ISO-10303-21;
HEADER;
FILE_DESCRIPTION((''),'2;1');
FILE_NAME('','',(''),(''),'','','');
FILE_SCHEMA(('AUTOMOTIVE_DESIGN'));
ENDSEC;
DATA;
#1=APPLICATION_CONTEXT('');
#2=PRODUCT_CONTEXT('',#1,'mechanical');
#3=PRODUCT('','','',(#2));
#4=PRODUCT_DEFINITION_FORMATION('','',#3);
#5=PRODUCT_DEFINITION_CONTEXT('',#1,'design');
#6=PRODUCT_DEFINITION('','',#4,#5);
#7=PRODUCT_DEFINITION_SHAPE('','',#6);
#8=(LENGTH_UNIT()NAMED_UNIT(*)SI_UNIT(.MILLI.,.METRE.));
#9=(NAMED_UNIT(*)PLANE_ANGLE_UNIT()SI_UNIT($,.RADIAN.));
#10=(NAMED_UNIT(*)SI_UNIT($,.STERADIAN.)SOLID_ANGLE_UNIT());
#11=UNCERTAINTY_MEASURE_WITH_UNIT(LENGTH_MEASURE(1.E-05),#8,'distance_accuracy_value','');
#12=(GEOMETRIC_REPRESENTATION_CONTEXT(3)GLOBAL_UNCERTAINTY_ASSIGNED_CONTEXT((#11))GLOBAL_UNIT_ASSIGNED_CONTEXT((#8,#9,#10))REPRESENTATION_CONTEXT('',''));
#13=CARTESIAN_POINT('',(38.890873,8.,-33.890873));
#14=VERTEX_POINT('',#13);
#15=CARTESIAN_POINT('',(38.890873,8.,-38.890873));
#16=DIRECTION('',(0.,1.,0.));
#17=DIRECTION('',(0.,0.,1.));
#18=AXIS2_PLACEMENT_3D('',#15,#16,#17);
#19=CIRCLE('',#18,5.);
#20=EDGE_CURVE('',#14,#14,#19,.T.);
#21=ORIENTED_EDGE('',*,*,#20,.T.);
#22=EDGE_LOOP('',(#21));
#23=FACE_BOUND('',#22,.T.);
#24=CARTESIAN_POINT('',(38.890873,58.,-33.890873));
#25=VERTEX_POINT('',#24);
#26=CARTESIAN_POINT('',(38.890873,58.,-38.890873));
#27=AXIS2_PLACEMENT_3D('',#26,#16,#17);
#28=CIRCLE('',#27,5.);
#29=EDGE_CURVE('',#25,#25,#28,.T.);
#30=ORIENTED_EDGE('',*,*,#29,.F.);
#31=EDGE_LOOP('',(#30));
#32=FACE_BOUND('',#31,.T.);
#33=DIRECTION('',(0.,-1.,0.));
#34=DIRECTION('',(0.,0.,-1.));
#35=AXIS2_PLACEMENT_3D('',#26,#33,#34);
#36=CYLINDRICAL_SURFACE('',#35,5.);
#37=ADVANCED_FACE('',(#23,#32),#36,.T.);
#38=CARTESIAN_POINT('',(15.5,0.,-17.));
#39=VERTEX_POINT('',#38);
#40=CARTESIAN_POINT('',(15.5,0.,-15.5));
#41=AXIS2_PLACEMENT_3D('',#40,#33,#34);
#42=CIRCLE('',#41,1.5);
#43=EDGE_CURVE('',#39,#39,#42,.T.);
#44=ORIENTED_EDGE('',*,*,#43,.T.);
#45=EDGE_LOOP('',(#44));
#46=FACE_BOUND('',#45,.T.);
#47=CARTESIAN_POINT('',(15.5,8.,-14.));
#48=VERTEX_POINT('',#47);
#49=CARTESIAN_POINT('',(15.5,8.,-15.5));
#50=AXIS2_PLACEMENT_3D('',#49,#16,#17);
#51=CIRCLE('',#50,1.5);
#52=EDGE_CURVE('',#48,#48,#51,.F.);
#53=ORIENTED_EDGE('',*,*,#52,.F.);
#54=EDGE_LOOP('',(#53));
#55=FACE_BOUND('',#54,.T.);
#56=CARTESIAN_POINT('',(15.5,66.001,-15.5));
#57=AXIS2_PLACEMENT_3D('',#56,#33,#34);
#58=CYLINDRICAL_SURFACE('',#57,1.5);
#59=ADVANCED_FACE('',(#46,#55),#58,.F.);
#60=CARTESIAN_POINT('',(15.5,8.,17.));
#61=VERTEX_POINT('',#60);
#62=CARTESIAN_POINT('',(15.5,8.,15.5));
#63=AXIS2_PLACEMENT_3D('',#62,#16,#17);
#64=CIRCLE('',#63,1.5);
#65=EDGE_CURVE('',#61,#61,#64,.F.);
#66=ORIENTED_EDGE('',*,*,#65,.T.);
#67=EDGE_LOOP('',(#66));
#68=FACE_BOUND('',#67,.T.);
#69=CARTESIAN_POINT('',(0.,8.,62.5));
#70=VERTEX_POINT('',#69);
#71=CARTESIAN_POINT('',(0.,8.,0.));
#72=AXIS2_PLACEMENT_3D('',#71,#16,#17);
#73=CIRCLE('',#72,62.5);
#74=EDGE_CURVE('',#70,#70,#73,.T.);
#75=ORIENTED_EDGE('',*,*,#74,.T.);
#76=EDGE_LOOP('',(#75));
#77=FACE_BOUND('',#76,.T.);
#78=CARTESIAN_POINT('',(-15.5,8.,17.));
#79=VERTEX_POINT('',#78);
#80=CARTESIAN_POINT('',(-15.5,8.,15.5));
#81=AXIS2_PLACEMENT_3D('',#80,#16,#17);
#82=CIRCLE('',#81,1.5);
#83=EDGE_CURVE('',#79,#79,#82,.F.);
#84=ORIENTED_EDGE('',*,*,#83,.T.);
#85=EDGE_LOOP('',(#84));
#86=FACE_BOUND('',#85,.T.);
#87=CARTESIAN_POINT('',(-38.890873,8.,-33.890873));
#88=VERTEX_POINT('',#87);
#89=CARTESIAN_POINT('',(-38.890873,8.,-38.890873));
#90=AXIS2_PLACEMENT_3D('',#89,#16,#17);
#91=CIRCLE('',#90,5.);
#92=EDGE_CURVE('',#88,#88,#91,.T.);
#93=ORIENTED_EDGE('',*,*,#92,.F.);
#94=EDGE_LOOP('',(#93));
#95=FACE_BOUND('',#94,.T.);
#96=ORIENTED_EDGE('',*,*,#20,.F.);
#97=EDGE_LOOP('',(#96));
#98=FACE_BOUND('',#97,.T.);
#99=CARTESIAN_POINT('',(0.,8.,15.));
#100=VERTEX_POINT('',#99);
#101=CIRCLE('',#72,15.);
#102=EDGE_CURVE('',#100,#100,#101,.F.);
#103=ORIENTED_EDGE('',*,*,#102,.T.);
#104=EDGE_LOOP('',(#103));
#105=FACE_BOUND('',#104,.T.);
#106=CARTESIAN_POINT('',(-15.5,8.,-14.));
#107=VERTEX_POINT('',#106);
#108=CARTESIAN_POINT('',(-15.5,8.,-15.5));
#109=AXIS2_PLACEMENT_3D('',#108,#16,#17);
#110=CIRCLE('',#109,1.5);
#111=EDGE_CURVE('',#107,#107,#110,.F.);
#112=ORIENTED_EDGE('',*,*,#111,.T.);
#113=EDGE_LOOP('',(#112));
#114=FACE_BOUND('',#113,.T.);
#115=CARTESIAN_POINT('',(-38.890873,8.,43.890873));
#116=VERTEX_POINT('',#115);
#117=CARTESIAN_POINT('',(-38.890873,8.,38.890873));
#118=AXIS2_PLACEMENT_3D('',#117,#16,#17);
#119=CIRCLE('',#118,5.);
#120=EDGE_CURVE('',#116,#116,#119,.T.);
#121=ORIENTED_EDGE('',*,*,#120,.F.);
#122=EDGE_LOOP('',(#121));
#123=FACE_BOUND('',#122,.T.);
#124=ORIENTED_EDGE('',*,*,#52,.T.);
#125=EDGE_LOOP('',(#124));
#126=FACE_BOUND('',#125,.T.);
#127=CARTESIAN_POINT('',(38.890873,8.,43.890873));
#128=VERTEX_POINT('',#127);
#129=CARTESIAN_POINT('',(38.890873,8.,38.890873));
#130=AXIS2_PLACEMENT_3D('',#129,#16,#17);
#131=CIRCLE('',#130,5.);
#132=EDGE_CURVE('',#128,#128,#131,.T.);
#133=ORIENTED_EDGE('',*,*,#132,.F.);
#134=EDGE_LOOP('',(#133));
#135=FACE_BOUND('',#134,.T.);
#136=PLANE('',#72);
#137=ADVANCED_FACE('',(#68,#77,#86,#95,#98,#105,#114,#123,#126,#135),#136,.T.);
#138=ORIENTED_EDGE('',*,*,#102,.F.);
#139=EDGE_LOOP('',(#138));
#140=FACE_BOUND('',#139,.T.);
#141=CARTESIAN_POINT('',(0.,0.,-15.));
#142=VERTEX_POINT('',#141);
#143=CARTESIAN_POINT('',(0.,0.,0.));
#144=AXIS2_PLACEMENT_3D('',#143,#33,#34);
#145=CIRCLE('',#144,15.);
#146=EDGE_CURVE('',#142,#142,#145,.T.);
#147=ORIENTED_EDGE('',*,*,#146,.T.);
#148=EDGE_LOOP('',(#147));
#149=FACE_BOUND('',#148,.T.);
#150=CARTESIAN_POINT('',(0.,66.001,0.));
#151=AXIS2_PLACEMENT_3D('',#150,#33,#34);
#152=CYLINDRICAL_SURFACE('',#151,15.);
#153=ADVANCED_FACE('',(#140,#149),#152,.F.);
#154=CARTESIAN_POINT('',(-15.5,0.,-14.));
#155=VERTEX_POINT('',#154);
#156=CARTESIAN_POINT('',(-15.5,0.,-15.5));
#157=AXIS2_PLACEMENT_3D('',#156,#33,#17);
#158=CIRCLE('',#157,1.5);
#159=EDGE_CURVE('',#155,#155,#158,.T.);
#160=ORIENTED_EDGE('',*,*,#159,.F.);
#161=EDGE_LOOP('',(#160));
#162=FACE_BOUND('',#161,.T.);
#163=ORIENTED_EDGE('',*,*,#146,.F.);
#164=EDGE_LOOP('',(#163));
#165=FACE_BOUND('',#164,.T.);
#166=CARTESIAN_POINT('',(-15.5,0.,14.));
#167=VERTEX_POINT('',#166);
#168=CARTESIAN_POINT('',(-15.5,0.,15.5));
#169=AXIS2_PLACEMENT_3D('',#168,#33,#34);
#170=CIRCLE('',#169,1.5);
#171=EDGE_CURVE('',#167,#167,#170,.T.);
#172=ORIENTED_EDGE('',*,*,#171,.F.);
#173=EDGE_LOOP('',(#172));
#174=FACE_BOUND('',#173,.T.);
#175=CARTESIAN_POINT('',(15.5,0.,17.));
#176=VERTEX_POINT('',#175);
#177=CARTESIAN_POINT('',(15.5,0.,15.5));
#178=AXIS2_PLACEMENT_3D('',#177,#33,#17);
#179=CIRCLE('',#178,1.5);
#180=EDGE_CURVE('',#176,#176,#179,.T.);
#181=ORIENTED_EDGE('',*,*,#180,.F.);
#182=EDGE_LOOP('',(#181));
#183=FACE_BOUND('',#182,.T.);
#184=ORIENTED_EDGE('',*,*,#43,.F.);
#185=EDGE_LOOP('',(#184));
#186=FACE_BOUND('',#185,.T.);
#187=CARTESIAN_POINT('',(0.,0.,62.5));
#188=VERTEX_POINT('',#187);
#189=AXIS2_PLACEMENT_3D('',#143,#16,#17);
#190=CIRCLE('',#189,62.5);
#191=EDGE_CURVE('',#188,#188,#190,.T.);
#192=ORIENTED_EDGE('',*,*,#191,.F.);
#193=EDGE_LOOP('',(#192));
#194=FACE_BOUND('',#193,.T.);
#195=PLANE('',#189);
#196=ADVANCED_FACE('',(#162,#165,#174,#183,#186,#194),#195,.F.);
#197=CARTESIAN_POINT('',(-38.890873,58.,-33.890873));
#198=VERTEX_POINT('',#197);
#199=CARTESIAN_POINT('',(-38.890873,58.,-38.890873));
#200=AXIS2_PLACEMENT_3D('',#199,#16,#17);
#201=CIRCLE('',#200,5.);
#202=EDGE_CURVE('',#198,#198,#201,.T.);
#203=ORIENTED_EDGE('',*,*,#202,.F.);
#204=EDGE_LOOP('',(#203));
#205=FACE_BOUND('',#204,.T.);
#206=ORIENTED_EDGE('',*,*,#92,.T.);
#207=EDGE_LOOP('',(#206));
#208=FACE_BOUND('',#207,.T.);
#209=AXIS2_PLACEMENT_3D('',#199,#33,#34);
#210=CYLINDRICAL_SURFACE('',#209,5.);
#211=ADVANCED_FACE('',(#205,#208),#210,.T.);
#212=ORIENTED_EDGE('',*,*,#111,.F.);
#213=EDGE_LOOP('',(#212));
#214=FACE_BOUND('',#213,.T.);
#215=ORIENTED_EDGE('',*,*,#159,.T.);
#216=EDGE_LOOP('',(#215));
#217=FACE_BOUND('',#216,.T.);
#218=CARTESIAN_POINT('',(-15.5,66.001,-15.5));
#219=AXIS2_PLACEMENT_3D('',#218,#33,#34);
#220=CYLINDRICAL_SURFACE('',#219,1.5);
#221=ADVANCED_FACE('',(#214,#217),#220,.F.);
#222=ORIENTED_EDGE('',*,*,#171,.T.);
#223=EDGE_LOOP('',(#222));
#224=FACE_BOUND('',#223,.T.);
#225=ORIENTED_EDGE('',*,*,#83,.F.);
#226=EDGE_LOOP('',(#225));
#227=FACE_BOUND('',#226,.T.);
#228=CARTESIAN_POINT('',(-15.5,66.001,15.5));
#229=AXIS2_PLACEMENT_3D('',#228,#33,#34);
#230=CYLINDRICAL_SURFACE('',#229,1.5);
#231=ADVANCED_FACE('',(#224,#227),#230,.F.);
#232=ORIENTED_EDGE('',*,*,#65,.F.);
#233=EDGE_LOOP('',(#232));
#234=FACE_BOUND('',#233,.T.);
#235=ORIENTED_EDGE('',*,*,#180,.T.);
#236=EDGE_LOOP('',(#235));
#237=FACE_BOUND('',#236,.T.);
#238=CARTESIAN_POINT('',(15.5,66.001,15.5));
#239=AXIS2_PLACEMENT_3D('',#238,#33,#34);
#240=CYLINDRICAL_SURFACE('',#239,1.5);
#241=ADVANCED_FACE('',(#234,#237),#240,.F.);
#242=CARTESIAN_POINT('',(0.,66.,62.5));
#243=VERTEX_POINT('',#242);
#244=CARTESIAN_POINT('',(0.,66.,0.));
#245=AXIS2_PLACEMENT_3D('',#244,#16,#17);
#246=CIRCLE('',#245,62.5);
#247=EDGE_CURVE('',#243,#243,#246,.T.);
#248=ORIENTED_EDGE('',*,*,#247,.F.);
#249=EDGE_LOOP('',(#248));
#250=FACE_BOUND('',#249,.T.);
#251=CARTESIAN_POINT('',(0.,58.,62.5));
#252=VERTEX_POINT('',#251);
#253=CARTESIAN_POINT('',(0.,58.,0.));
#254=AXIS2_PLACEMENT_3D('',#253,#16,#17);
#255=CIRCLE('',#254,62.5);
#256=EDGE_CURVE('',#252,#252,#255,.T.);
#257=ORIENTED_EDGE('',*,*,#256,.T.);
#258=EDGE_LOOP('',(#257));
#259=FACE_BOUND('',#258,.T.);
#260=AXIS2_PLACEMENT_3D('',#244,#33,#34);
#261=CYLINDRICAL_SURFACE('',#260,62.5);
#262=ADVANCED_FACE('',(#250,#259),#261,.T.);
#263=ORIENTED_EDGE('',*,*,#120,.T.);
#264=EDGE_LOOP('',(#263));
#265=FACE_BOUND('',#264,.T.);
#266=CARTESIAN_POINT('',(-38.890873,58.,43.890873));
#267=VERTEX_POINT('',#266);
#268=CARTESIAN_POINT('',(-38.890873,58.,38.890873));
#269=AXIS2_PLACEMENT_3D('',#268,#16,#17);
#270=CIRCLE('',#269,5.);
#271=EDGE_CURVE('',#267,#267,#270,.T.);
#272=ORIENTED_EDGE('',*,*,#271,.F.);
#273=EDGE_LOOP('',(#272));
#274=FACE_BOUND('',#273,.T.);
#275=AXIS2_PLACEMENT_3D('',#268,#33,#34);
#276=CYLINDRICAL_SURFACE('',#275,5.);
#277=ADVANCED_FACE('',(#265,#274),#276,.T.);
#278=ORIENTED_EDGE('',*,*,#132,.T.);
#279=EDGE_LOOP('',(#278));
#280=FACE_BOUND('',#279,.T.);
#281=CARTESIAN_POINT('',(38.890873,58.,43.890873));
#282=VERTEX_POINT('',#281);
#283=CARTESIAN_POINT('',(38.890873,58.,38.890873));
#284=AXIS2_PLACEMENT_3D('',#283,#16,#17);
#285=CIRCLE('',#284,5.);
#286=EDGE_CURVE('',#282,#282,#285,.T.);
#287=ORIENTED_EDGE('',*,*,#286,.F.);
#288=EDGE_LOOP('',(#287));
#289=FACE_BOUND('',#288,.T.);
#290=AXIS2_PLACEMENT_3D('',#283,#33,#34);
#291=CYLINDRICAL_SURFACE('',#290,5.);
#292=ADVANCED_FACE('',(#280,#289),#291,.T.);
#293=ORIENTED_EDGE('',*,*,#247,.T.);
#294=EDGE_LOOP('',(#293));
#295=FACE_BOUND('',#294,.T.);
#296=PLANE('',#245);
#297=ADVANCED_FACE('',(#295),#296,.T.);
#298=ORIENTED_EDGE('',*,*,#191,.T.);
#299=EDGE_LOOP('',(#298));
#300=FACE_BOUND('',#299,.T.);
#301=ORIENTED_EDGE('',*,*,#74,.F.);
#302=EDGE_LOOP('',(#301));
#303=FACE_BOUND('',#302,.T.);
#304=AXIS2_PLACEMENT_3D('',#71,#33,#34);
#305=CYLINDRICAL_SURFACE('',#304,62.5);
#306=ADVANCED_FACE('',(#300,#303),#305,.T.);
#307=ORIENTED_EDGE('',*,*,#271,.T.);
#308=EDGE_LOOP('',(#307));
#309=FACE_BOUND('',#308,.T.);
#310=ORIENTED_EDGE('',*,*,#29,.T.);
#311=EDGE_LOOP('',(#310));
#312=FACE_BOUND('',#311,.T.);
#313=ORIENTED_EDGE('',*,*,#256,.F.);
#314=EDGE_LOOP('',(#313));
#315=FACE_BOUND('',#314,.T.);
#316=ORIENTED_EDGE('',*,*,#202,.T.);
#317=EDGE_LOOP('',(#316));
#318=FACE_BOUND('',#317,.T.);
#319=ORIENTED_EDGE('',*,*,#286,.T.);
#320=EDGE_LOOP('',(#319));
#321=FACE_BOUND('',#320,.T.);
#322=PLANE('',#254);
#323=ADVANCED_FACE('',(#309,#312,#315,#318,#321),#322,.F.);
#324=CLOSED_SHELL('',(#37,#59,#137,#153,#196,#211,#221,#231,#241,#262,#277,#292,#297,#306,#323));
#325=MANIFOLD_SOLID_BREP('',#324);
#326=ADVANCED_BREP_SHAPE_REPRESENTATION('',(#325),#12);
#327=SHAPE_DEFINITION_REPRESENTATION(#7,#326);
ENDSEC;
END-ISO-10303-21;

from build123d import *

# Parameters (mm, degrees)
SKETCH_2_R          = 62.5
EXTRUDE_1_DEPTH     = 8
SKETCH_3_R          = 5
EXTRUDE_2_DEPTH     = 50
SKETCH_4_R          = 62.5
EXTRUDE_3_DEPTH     = 8
CUT_EXTRUDE_1_REACH = 112.311
SKETCH_5_R          = 15
CUT_EXTRUDE_2_REACH = 112.311
SKETCH_6_R          = 1.5


with BuildPart() as part:
    # 草图2 → 凸台-拉伸1 (new body)
    with BuildSketch(Plane(origin=(0, 0, 0), x_dir=(1, 0, 0), z_dir=(0, 1, 0))):
        with Locations(Location((0, 0, 0), (0, 0, 270))):
            Circle(SKETCH_2_R)
    extrude(amount=EXTRUDE_1_DEPTH)

    # 草图3 → 凸台-拉伸2 (add)
    with BuildSketch(Plane(origin=(0, 8, 0), x_dir=(1, 0, 0), z_dir=(0, 1, 0))):
        with Locations(Location((38.890872965, 38.890872965, 0), (0, 0, 270))):
            Circle(SKETCH_3_R)
        with Locations(Location((38.890872965, -38.890872965, 0), (0, 0, 270))):
            Circle(SKETCH_3_R)
        with Locations(Location((-38.890872965, -38.890872965, 0), (0, 0, 270))):
            Circle(SKETCH_3_R)
        with Locations(Location((-38.890872965, 38.890872965, 0), (0, 0, 270))):
            Circle(SKETCH_3_R)
    extrude(amount=EXTRUDE_2_DEPTH)

    # 草图4 → 凸台-拉伸3 (add)
    with BuildSketch(Plane(origin=(0, 58, 0), x_dir=(1, 0, 0), z_dir=(0, 1, 0))):
        with Locations(Location((0, 0, 0), (0, 0, 270))):
            Circle(SKETCH_4_R)
    extrude(amount=EXTRUDE_3_DEPTH)

    # 草图5 → 切除-拉伸1 (cut, up to next)
    with BuildSketch(Plane.XZ, mode=Mode.PRIVATE) as cut_extrude_1_sk1:
        with Locations(Location((0, 0, 0), (0, 0, 270))):
            Circle(SKETCH_5_R)
    cut_extrude_1_tool1 = extrude(cut_extrude_1_sk1.sketch, amount=-CUT_EXTRUDE_1_REACH, mode=Mode.PRIVATE) & part.part
    add(cut_extrude_1_tool1.solids().sort_by_distance((0, 0, 0))[0], mode=Mode.SUBTRACT)

    # 草图6 → 切除-拉伸2 (cut, up to next)
    with BuildSketch(Plane(origin=(0, 0, 0), x_dir=(-1, 0, 0), z_dir=(0, -1, 0)), mode=Mode.PRIVATE) as cut_extrude_2_sk1:
        with Locations(Location((15.5, -15.5, 0), (0, 0, 90))):
            Circle(SKETCH_6_R)
    cut_extrude_2_tool1 = extrude(cut_extrude_2_sk1.sketch, amount=-CUT_EXTRUDE_2_REACH, mode=Mode.PRIVATE) & part.part
    # 草图6 → 切除-拉伸2 (cut, up to next)
    with BuildSketch(Plane(origin=(0, 0, 0), x_dir=(-1, 0, 0), z_dir=(0, -1, 0)), mode=Mode.PRIVATE) as cut_extrude_2_sk2:
        with Locations(Location((15.5, 15.5, 0), (0, 0, 270))):
            Circle(SKETCH_6_R)
    cut_extrude_2_tool2 = extrude(cut_extrude_2_sk2.sketch, amount=-CUT_EXTRUDE_2_REACH, mode=Mode.PRIVATE) & part.part
    # 草图6 → 切除-拉伸2 (cut, up to next)
    with BuildSketch(Plane(origin=(0, 0, 0), x_dir=(-1, 0, 0), z_dir=(0, -1, 0)), mode=Mode.PRIVATE) as cut_extrude_2_sk3:
        with Locations(Location((-15.5, -15.5, 0), (0, 0, 270))):
            Circle(SKETCH_6_R)
    cut_extrude_2_tool3 = extrude(cut_extrude_2_sk3.sketch, amount=-CUT_EXTRUDE_2_REACH, mode=Mode.PRIVATE) & part.part
    # 草图6 → 切除-拉伸2 (cut, up to next)
    with BuildSketch(Plane(origin=(0, 0, 0), x_dir=(-1, 0, 0), z_dir=(0, -1, 0)), mode=Mode.PRIVATE) as cut_extrude_2_sk4:
        with Locations(Location((-15.5, 15.5, 0), (0, 0, 90))):
            Circle(SKETCH_6_R)
    cut_extrude_2_tool4 = extrude(cut_extrude_2_sk4.sketch, amount=-CUT_EXTRUDE_2_REACH, mode=Mode.PRIVATE) & part.part
    add(cut_extrude_2_tool1.solids().sort_by_distance((-15.5, 0, 15.5))[0], mode=Mode.SUBTRACT)
    add(cut_extrude_2_tool2.solids().sort_by_distance((-15.5, 0, -15.5))[0], mode=Mode.SUBTRACT)
    add(cut_extrude_2_tool3.solids().sort_by_distance((15.5, 0, 15.5))[0], mode=Mode.SUBTRACT)
    add(cut_extrude_2_tool4.solids().sort_by_distance((15.5, 0, -15.5))[0], mode=Mode.SUBTRACT)


solid = part.part
